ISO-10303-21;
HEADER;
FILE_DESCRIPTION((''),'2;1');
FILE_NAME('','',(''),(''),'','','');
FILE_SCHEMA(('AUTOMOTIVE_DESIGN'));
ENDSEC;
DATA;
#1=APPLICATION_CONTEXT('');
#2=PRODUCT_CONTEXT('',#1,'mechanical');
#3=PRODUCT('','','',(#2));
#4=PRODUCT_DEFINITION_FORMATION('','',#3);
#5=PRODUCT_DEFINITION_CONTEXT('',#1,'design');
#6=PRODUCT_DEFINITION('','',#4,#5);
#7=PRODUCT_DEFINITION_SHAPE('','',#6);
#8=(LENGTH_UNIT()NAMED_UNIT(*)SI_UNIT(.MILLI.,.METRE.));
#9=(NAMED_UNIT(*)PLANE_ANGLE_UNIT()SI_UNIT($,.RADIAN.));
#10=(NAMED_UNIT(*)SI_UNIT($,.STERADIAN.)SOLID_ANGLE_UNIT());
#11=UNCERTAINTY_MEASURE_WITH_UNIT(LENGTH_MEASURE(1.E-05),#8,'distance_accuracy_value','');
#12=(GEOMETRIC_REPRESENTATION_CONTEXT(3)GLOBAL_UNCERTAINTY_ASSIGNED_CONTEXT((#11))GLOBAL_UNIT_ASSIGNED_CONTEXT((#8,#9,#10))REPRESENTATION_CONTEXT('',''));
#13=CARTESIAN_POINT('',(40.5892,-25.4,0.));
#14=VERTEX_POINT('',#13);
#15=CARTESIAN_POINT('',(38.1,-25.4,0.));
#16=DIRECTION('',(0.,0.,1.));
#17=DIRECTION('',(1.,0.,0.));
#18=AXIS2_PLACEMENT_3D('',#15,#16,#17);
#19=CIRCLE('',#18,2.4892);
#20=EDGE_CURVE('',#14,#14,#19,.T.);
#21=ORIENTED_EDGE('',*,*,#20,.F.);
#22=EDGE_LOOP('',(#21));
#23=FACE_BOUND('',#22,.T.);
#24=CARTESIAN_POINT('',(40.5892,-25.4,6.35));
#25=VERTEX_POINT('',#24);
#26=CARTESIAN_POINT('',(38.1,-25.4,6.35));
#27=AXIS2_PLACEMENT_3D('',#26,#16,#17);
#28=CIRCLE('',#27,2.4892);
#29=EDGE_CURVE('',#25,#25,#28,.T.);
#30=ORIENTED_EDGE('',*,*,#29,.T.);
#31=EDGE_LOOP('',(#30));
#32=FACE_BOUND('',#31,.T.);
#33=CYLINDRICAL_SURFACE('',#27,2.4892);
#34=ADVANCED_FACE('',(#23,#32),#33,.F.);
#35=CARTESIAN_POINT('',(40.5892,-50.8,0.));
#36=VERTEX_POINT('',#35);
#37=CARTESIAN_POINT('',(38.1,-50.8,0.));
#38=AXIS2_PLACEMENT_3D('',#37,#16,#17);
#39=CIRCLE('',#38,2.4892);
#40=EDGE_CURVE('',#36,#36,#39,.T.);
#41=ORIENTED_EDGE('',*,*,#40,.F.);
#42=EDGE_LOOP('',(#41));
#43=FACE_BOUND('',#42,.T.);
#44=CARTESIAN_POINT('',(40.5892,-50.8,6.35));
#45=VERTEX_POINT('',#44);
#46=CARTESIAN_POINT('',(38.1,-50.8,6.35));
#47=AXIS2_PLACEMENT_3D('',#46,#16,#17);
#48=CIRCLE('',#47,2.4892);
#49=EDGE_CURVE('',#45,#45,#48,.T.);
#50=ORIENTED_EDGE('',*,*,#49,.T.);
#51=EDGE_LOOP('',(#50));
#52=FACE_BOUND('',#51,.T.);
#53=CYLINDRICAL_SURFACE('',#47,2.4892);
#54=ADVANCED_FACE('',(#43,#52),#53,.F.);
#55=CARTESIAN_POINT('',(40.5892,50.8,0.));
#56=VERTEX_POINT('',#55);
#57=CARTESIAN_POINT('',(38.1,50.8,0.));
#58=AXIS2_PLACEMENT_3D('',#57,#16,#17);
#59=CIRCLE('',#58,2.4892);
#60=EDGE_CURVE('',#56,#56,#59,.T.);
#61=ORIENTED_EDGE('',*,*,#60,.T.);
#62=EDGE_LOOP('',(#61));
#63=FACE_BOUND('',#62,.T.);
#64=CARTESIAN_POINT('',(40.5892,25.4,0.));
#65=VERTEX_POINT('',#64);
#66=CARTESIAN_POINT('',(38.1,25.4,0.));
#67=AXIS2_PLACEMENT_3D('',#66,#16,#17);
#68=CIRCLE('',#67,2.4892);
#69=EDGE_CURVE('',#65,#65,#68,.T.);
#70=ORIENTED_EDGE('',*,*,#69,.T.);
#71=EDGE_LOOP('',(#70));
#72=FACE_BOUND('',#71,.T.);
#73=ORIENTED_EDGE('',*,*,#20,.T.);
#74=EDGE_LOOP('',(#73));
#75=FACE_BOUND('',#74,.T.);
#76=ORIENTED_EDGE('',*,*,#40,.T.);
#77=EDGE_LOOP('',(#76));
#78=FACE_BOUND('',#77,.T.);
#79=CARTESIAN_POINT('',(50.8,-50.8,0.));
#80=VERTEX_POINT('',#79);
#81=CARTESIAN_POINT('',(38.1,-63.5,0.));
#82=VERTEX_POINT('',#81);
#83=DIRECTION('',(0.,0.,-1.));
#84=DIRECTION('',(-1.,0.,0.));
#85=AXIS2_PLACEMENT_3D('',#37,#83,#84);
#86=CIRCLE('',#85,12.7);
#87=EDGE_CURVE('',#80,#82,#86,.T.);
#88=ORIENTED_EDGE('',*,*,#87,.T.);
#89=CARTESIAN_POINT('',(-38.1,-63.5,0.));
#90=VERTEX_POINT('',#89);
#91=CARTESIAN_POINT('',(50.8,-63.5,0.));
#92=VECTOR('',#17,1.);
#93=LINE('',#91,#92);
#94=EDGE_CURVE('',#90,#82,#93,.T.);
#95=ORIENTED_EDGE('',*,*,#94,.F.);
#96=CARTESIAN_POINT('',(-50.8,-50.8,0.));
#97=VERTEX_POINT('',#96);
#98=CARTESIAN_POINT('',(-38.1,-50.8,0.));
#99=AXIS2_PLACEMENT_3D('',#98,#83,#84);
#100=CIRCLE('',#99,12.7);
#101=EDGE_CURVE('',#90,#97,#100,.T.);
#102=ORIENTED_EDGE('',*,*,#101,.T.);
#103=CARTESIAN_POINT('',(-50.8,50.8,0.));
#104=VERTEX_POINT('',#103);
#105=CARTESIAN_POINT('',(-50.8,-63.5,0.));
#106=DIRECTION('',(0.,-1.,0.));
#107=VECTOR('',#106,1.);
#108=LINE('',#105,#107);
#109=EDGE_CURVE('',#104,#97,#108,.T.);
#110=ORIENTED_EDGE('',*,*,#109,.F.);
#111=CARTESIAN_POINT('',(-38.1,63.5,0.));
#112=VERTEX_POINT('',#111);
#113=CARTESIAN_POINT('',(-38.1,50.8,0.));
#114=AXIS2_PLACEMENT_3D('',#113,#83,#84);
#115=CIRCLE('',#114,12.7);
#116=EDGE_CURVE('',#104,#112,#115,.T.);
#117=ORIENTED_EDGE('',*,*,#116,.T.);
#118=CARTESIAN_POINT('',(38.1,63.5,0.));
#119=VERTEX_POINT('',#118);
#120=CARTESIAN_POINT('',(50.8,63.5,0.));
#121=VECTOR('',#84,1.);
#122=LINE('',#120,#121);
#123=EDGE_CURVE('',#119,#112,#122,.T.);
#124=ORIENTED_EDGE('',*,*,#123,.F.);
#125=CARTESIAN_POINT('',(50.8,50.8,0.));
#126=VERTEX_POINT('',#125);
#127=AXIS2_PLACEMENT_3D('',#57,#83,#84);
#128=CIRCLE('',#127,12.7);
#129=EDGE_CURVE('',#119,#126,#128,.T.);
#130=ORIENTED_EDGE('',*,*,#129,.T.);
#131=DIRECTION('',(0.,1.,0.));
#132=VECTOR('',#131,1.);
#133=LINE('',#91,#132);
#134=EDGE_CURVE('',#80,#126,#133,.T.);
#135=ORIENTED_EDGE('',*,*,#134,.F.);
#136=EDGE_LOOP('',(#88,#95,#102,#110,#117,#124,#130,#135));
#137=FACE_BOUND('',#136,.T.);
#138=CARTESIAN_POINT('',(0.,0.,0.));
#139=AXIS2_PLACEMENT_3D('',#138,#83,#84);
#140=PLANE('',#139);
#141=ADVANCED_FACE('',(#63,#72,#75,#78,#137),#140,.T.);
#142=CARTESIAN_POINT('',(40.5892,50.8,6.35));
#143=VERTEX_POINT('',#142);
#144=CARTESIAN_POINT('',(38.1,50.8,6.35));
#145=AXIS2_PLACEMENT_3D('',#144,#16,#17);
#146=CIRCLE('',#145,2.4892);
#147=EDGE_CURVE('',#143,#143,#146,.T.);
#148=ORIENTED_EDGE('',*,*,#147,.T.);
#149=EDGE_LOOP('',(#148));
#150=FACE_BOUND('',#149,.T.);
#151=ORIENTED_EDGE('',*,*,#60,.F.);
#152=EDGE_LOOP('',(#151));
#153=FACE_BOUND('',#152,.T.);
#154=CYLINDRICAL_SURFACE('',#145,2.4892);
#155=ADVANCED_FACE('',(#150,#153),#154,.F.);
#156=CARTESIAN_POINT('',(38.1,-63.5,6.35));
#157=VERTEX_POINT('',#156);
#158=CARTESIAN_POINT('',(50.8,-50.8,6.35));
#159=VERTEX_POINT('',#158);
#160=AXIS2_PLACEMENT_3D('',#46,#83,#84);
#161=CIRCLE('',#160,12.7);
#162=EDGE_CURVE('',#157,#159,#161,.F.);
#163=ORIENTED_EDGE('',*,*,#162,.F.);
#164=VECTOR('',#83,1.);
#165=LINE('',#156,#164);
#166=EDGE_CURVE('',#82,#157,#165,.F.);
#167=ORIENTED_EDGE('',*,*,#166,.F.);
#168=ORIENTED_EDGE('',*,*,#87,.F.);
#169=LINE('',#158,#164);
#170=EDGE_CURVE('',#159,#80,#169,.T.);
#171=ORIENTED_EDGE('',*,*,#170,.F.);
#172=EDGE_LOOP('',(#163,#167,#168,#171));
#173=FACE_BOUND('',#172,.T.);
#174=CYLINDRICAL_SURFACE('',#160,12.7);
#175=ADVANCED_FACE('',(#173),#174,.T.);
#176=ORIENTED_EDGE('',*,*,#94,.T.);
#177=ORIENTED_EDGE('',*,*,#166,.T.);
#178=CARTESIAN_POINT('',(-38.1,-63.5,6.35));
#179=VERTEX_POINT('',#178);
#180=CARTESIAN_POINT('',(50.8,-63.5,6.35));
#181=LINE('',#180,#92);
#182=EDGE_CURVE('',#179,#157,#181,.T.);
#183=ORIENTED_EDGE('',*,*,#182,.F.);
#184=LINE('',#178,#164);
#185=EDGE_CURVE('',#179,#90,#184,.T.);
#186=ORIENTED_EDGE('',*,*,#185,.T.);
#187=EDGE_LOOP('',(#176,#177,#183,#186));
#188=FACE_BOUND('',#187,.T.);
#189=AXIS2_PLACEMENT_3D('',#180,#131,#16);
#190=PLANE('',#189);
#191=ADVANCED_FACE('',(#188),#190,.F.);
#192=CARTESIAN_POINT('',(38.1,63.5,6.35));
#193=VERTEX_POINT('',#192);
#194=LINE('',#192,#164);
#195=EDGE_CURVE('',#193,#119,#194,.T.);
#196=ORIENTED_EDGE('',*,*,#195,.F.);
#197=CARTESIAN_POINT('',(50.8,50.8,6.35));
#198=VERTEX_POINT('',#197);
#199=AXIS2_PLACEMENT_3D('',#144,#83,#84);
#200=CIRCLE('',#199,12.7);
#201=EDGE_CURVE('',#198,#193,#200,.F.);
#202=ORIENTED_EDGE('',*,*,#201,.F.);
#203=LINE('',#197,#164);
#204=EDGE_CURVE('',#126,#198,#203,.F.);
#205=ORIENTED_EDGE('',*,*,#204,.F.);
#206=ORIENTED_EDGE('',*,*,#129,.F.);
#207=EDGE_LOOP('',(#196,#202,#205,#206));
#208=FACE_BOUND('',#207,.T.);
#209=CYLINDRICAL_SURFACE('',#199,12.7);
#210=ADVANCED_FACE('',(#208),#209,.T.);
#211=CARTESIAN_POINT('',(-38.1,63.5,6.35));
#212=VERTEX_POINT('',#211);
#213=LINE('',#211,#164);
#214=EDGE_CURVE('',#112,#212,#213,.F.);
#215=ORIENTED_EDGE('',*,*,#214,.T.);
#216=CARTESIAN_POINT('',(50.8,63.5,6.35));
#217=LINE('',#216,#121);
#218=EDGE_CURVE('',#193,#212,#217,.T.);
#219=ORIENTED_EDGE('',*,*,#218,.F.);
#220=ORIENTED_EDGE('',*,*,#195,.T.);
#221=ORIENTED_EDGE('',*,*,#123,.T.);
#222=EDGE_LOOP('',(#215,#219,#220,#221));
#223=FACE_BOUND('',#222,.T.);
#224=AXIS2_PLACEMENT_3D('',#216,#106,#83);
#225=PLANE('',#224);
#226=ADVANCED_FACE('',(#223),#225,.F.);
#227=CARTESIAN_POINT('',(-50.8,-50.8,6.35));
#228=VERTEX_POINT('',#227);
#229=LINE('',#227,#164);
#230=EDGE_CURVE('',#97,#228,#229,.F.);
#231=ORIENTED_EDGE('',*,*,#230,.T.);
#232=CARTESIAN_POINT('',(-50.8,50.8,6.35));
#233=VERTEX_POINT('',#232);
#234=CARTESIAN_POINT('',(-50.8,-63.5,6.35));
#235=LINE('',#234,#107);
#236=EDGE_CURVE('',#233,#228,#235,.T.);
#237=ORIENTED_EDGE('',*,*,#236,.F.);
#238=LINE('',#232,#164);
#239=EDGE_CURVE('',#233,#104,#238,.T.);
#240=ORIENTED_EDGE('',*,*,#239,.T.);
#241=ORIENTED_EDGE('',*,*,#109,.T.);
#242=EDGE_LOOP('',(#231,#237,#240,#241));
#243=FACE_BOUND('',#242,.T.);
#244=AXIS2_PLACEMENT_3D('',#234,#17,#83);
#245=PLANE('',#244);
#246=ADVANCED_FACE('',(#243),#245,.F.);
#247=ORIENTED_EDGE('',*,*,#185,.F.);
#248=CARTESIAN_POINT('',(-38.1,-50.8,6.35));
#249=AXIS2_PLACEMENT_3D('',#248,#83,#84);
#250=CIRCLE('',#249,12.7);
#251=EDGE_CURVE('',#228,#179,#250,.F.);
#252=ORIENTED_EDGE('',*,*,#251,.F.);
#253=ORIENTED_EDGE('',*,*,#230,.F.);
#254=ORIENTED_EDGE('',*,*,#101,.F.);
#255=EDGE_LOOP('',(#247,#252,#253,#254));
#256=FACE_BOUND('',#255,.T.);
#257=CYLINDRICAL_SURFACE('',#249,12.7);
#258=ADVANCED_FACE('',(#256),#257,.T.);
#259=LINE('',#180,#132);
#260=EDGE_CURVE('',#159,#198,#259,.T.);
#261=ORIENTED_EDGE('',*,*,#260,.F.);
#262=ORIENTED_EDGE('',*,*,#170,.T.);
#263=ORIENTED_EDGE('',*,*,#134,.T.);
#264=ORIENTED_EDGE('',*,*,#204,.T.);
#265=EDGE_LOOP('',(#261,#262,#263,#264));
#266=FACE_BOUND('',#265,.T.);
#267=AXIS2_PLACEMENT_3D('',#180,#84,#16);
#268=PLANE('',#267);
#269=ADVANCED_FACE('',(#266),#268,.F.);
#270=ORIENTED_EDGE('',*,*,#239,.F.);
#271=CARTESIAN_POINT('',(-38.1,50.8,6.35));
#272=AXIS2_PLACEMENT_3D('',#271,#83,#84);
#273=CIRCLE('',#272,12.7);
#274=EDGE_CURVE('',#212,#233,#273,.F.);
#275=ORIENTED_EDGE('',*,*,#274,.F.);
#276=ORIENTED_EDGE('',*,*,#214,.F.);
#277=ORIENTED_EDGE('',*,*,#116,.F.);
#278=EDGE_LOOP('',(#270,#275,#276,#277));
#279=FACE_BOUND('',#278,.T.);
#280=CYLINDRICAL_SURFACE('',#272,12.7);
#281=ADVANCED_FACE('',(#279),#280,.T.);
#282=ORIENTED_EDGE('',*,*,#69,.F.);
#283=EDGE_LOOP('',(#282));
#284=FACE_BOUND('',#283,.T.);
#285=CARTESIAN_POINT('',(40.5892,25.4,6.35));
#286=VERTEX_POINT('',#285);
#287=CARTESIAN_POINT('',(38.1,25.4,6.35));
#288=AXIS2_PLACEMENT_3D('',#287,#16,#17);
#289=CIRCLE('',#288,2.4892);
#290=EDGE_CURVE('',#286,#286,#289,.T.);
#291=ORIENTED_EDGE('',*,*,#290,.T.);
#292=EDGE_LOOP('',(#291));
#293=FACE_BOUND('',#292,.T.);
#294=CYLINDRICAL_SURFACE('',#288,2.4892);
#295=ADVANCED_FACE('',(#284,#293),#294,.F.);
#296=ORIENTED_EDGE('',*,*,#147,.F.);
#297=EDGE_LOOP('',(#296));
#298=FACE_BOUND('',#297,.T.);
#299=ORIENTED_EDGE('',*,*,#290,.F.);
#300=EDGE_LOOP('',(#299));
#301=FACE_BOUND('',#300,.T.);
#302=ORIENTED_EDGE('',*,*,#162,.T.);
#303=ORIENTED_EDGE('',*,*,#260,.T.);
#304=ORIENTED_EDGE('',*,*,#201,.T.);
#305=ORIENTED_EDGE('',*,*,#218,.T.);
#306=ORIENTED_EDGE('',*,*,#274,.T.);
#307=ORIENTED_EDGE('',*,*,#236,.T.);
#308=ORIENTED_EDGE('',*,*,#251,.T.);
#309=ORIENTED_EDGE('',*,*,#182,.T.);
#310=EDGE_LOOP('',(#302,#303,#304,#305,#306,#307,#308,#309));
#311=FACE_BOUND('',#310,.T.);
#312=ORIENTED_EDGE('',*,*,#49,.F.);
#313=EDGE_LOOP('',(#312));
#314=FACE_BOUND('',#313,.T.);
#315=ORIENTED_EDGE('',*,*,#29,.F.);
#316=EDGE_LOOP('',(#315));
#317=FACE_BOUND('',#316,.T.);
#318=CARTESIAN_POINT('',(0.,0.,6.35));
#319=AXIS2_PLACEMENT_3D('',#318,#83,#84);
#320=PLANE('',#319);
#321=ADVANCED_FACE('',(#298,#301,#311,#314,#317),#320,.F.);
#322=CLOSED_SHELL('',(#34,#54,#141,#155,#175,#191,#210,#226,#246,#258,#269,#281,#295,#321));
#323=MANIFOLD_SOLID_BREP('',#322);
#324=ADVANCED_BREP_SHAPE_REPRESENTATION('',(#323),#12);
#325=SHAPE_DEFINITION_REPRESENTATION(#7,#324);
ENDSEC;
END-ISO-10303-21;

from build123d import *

# Parameters (mm, degrees)
SKETCH1_W                  = 127
SKETCH1_H                  = 101.6
BOSS_EXTRUDE1_DEPTH        = 6.35
F_9_0_196_DIAMETER_HOLE1_D = 4.9784
FILLET1_R                  = 12.7


with BuildPart() as part:
    # Sketch1 → Boss-Extrude1 (new body)
    with BuildSketch(Plane(origin=(0, 0, 0), x_dir=(0, 1, 0), z_dir=(0, 0, 1))):
        Rectangle(SKETCH1_W, SKETCH1_H)
    extrude(amount=BOSS_EXTRUDE1_DEPTH)

    # #9 (0.196) Diameter Hole1 (through all)
    with Locations(Plane.XY.offset(6.35)):
        with Locations((38.1, -50.8), (38.1, -25.4), (38.1, 25.4), (38.1, 50.8)):
            Hole(F_9_0_196_DIAMETER_HOLE1_D / 2)

    # Fillet1
    fillet1_edges = [part.edges().sort_by_distance(p)[0] for p in [
        (50.8, 63.5, 3.175),
        (50.8, -63.5, 3.175),
        (-50.8, -63.5, 3.175),
        (-50.8, 63.5, 3.175),
    ]]
    fillet(fillet1_edges, radius=FILLET1_R)


solid = part.part
